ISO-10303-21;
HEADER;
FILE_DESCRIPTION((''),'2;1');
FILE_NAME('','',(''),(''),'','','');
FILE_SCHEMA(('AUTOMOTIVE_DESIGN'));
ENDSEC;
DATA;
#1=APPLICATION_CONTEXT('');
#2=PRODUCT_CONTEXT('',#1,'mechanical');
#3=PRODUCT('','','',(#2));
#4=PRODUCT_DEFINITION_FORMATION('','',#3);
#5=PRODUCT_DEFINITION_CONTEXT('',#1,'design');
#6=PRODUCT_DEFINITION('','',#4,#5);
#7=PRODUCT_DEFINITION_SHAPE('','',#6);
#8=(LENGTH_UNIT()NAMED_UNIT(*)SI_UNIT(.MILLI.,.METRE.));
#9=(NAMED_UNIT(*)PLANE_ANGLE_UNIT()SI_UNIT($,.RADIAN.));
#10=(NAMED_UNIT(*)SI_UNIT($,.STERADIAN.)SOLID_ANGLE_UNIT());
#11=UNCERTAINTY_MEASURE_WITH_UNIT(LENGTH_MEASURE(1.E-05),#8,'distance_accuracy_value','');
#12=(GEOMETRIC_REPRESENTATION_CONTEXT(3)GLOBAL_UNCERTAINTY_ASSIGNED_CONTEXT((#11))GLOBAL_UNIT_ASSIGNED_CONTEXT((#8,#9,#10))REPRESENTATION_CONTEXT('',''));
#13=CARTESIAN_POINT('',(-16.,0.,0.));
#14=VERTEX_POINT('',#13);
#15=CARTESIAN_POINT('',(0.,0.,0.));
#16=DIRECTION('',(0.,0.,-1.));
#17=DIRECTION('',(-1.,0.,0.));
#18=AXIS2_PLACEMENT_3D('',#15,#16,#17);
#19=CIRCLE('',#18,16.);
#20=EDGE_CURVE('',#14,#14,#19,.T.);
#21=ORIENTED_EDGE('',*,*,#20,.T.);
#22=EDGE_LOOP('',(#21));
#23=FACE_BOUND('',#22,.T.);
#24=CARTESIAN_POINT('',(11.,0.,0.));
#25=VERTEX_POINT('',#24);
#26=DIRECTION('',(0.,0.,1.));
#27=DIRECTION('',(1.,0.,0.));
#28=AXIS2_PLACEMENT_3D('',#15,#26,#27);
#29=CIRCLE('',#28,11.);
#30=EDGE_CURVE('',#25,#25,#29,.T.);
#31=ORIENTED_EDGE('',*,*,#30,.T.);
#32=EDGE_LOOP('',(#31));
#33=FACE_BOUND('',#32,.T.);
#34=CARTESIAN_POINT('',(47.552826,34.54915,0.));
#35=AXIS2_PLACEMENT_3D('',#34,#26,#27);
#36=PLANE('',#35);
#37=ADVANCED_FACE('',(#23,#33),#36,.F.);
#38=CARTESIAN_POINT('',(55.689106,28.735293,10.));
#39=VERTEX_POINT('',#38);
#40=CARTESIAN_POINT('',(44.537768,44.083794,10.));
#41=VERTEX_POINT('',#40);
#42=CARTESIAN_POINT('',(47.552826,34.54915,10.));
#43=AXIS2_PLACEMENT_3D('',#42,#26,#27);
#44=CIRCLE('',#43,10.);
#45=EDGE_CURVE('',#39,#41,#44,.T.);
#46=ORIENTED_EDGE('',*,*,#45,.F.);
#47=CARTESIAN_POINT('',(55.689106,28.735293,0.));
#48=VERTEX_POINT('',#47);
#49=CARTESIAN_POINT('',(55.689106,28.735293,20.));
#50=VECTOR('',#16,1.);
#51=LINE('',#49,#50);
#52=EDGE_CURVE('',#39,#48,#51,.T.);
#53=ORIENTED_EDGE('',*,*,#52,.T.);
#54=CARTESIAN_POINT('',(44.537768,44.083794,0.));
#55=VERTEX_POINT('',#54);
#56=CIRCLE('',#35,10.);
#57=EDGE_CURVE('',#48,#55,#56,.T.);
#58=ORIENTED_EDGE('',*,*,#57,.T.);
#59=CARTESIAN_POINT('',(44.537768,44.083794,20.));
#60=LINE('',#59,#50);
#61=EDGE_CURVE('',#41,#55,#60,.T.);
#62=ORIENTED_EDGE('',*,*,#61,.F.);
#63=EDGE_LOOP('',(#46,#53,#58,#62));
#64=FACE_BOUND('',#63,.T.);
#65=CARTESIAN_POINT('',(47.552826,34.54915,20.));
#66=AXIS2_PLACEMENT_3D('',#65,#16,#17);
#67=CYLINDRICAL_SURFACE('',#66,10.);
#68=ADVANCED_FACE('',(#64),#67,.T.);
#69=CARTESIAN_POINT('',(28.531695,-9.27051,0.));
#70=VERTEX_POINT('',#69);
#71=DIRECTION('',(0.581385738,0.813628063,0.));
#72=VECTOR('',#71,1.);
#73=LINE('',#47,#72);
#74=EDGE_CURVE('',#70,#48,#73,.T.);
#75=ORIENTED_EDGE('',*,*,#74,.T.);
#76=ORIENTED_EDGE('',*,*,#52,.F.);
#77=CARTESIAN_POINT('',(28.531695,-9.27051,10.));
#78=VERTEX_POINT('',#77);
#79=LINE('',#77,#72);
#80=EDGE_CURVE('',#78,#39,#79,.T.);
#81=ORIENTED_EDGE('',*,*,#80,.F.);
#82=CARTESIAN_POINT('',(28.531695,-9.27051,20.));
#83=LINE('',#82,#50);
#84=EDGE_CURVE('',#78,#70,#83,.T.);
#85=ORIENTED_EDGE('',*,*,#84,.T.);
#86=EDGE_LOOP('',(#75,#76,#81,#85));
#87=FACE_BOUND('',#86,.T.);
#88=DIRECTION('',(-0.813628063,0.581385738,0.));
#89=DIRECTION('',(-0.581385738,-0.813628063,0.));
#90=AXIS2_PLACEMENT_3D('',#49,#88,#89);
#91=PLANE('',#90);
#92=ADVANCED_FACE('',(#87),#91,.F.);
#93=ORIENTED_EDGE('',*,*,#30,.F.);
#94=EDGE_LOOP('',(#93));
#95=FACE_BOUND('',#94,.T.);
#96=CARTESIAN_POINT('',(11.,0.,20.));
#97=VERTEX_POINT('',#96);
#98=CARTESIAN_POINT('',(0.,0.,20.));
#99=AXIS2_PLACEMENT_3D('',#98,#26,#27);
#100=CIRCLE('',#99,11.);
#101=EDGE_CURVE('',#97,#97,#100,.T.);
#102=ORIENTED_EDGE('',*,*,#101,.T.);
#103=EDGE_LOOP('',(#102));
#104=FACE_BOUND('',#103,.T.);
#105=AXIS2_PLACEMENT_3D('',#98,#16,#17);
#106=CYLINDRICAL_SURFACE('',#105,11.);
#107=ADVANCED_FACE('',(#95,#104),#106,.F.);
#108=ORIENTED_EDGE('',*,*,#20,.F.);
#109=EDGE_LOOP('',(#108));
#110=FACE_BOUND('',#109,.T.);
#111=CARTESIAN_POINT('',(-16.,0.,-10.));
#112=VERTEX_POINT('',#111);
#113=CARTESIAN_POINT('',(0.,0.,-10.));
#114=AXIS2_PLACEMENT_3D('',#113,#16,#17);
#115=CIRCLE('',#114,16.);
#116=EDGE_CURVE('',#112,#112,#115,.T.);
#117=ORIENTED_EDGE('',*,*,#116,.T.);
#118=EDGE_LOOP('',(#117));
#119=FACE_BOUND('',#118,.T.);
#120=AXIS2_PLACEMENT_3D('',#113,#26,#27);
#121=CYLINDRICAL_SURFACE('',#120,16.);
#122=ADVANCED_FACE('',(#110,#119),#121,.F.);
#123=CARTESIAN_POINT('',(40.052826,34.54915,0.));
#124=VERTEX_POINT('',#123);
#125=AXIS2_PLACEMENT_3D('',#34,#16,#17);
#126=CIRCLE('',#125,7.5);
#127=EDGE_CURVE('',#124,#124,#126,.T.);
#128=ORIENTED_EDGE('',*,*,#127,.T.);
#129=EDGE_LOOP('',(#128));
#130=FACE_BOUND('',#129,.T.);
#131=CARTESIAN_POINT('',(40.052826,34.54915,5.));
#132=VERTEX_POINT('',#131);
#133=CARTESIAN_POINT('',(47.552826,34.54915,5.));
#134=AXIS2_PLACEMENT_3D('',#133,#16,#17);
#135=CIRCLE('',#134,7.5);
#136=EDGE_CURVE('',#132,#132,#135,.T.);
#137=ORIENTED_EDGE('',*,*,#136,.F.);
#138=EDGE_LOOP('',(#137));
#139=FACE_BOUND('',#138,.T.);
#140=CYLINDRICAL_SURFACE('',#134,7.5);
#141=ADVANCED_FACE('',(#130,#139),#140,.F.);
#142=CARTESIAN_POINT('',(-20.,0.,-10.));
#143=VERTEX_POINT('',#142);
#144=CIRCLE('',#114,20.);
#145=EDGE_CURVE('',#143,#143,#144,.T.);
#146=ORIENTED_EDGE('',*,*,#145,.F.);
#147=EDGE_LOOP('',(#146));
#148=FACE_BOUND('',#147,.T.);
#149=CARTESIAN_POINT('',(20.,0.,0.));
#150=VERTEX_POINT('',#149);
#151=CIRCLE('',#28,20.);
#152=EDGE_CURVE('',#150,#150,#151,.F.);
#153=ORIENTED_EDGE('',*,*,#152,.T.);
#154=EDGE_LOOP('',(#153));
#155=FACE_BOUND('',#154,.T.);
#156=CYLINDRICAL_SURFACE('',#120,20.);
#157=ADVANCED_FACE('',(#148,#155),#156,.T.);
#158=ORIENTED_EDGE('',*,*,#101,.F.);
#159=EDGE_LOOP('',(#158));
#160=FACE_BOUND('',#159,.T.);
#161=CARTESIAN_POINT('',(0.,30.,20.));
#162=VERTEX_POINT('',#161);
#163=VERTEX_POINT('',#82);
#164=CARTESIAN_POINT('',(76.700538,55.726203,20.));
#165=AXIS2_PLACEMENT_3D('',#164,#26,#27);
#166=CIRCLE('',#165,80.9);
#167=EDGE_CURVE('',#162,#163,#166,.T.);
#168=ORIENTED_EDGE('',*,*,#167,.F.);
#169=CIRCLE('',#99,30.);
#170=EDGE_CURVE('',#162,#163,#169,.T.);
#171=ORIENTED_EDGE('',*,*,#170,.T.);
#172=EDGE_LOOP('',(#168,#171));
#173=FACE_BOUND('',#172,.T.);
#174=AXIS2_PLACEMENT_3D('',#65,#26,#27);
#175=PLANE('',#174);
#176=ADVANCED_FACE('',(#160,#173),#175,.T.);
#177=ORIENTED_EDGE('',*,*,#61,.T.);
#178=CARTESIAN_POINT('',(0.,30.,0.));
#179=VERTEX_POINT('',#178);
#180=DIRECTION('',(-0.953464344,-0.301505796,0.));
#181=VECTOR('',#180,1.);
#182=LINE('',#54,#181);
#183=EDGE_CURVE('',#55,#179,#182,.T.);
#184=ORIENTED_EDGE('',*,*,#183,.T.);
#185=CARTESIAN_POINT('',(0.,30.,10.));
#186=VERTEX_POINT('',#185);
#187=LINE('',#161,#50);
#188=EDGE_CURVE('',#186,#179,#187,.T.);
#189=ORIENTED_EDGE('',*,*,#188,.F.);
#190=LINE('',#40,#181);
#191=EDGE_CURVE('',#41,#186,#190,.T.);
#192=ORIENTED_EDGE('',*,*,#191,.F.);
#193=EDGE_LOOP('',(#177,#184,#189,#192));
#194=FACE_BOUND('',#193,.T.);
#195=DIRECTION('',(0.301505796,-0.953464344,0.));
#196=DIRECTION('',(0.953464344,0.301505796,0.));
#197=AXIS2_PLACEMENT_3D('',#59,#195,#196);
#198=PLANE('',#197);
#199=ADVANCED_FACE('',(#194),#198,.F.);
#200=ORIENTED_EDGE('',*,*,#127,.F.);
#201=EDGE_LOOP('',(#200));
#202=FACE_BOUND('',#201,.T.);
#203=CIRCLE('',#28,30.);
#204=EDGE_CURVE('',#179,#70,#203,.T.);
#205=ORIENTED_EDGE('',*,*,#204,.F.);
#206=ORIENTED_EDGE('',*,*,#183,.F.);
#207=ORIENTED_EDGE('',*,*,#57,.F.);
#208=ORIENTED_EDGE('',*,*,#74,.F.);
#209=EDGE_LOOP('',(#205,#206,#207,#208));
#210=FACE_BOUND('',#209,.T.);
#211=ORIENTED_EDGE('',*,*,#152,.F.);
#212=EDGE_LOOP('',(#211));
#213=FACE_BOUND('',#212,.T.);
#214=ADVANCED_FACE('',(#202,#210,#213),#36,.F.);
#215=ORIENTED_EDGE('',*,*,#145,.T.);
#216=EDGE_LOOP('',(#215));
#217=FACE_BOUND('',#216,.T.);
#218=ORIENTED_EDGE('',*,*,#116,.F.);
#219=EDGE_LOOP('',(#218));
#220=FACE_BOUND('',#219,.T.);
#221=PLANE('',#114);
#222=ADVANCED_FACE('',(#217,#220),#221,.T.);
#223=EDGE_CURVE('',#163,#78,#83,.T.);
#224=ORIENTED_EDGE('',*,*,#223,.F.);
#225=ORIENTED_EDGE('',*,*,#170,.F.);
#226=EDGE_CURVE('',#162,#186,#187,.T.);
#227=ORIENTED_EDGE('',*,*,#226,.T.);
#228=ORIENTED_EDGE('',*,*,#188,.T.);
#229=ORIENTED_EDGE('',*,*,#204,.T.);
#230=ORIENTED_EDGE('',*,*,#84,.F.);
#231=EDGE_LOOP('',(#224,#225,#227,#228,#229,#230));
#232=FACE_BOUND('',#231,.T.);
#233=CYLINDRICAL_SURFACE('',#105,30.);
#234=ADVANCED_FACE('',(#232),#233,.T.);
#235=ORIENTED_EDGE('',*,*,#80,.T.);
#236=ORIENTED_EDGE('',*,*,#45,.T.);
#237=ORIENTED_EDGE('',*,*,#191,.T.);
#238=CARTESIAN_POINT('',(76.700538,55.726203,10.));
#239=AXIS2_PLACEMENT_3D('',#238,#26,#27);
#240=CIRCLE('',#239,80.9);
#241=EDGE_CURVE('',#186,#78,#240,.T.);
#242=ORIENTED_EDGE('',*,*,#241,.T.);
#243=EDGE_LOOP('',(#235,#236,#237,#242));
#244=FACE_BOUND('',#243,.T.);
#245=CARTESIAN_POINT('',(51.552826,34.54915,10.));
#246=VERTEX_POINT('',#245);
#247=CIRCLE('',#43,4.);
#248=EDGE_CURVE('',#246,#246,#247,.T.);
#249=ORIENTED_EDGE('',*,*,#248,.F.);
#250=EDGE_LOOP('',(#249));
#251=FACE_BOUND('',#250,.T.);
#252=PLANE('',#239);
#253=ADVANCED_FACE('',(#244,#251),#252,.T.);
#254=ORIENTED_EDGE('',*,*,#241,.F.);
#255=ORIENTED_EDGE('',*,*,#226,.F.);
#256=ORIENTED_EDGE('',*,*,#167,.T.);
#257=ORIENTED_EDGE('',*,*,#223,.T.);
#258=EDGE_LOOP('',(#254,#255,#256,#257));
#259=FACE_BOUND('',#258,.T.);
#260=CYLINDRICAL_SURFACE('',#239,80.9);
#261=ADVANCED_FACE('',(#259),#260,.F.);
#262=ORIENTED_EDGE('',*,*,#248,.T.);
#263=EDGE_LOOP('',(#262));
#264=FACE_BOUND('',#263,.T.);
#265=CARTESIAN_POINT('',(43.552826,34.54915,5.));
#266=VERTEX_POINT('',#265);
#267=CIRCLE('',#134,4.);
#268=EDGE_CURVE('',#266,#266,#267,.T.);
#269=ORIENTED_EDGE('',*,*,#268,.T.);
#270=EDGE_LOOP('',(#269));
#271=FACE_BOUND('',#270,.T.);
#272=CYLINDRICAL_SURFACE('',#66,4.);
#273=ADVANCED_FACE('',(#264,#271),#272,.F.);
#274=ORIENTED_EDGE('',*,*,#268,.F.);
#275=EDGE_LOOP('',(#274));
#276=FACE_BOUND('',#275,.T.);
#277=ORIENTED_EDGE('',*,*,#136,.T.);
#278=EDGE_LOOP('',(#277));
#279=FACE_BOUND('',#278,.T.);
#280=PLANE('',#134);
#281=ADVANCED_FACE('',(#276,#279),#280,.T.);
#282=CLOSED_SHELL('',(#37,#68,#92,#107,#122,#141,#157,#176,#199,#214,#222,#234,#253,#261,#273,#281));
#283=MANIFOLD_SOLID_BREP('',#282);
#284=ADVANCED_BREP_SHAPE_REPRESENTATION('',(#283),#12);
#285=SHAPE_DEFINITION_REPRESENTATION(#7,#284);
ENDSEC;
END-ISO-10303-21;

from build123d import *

# Parameters (mm, degrees)
SKETCH2_R           = 4
SKETCH2_R_2         = 11
BOSS_EXTRUDE1_DEPTH = 20
SKETCH3_R           = 7.5
CUT_EXTRUDE1_DEPTH  = 5
SKETCH4_R           = 20
SKETCH4_R_2         = 16
BOSS_EXTRUDE2_DEPTH = 10
CUT_EXTRUDE2_START  = -10
CUT_EXTRUDE2_DEPTH  = 10


with BuildPart() as part:
    # Sketch2 → Boss-Extrude1 (new body)
    with BuildSketch(Plane.XY):
        with BuildLine():
            Line((44.537767857, 44.08379372), (0, 30))
            ThreePointArc((0, 30), (-24.270509831, -17.633557569), (28.531695489, -9.270509831))
            Line((28.531695489, -9.270509831), (55.68910644, 28.735292906))
            ThreePointArc((55.68910644, 28.735292906), (55.642995759, 40.427002804), (44.537767857, 44.08379372))
        make_face()
        with Locations((47.552825815, 34.549150281)):
            Circle(SKETCH2_R, mode=Mode.SUBTRACT)
        Circle(SKETCH2_R_2, mode=Mode.SUBTRACT)
    extrude(amount=BOSS_EXTRUDE1_DEPTH)

    # Sketch3 → Cut-Extrude1 (cut)
    with BuildSketch(Plane(origin=(0, 0, 0), x_dir=(-1, 0, 0), z_dir=(0, 0, -1))):
        with Locations((-47.552825815, 34.549150281)):
            Circle(SKETCH3_R)
    extrude(amount=-CUT_EXTRUDE1_DEPTH, mode=Mode.SUBTRACT)

    # Sketch4 → Boss-Extrude2 (add)
    with BuildSketch(Plane(origin=(0, 0, 0), x_dir=(-1, 0, 0), z_dir=(0, 0, -1))):
        with Locations(Location((0, 0, 0), (0, 0, 180))):
            Circle(SKETCH4_R)
        Circle(SKETCH4_R_2, mode=Mode.SUBTRACT)
    extrude(amount=BOSS_EXTRUDE2_DEPTH)

    # Sketch5 → Cut-Extrude2 (cut)
    with BuildSketch(Plane.XY.offset(20).offset(CUT_EXTRUDE2_START)):
        with BuildLine():
            Line((44.537767857, 44.08379372), (0, 30))
            ThreePointArc((0, 30), (11.251062951, 8.174375719), (28.531695489, -9.270509831))
            Line((28.531695489, -9.270509831), (55.68910644, 28.735292906))
            ThreePointArc((55.68910644, 28.735292906), (55.642995759, 40.427002804), (44.537767857, 44.08379372))
        make_face()
    extrude(amount=CUT_EXTRUDE2_DEPTH, mode=Mode.SUBTRACT)


solid = part.part
